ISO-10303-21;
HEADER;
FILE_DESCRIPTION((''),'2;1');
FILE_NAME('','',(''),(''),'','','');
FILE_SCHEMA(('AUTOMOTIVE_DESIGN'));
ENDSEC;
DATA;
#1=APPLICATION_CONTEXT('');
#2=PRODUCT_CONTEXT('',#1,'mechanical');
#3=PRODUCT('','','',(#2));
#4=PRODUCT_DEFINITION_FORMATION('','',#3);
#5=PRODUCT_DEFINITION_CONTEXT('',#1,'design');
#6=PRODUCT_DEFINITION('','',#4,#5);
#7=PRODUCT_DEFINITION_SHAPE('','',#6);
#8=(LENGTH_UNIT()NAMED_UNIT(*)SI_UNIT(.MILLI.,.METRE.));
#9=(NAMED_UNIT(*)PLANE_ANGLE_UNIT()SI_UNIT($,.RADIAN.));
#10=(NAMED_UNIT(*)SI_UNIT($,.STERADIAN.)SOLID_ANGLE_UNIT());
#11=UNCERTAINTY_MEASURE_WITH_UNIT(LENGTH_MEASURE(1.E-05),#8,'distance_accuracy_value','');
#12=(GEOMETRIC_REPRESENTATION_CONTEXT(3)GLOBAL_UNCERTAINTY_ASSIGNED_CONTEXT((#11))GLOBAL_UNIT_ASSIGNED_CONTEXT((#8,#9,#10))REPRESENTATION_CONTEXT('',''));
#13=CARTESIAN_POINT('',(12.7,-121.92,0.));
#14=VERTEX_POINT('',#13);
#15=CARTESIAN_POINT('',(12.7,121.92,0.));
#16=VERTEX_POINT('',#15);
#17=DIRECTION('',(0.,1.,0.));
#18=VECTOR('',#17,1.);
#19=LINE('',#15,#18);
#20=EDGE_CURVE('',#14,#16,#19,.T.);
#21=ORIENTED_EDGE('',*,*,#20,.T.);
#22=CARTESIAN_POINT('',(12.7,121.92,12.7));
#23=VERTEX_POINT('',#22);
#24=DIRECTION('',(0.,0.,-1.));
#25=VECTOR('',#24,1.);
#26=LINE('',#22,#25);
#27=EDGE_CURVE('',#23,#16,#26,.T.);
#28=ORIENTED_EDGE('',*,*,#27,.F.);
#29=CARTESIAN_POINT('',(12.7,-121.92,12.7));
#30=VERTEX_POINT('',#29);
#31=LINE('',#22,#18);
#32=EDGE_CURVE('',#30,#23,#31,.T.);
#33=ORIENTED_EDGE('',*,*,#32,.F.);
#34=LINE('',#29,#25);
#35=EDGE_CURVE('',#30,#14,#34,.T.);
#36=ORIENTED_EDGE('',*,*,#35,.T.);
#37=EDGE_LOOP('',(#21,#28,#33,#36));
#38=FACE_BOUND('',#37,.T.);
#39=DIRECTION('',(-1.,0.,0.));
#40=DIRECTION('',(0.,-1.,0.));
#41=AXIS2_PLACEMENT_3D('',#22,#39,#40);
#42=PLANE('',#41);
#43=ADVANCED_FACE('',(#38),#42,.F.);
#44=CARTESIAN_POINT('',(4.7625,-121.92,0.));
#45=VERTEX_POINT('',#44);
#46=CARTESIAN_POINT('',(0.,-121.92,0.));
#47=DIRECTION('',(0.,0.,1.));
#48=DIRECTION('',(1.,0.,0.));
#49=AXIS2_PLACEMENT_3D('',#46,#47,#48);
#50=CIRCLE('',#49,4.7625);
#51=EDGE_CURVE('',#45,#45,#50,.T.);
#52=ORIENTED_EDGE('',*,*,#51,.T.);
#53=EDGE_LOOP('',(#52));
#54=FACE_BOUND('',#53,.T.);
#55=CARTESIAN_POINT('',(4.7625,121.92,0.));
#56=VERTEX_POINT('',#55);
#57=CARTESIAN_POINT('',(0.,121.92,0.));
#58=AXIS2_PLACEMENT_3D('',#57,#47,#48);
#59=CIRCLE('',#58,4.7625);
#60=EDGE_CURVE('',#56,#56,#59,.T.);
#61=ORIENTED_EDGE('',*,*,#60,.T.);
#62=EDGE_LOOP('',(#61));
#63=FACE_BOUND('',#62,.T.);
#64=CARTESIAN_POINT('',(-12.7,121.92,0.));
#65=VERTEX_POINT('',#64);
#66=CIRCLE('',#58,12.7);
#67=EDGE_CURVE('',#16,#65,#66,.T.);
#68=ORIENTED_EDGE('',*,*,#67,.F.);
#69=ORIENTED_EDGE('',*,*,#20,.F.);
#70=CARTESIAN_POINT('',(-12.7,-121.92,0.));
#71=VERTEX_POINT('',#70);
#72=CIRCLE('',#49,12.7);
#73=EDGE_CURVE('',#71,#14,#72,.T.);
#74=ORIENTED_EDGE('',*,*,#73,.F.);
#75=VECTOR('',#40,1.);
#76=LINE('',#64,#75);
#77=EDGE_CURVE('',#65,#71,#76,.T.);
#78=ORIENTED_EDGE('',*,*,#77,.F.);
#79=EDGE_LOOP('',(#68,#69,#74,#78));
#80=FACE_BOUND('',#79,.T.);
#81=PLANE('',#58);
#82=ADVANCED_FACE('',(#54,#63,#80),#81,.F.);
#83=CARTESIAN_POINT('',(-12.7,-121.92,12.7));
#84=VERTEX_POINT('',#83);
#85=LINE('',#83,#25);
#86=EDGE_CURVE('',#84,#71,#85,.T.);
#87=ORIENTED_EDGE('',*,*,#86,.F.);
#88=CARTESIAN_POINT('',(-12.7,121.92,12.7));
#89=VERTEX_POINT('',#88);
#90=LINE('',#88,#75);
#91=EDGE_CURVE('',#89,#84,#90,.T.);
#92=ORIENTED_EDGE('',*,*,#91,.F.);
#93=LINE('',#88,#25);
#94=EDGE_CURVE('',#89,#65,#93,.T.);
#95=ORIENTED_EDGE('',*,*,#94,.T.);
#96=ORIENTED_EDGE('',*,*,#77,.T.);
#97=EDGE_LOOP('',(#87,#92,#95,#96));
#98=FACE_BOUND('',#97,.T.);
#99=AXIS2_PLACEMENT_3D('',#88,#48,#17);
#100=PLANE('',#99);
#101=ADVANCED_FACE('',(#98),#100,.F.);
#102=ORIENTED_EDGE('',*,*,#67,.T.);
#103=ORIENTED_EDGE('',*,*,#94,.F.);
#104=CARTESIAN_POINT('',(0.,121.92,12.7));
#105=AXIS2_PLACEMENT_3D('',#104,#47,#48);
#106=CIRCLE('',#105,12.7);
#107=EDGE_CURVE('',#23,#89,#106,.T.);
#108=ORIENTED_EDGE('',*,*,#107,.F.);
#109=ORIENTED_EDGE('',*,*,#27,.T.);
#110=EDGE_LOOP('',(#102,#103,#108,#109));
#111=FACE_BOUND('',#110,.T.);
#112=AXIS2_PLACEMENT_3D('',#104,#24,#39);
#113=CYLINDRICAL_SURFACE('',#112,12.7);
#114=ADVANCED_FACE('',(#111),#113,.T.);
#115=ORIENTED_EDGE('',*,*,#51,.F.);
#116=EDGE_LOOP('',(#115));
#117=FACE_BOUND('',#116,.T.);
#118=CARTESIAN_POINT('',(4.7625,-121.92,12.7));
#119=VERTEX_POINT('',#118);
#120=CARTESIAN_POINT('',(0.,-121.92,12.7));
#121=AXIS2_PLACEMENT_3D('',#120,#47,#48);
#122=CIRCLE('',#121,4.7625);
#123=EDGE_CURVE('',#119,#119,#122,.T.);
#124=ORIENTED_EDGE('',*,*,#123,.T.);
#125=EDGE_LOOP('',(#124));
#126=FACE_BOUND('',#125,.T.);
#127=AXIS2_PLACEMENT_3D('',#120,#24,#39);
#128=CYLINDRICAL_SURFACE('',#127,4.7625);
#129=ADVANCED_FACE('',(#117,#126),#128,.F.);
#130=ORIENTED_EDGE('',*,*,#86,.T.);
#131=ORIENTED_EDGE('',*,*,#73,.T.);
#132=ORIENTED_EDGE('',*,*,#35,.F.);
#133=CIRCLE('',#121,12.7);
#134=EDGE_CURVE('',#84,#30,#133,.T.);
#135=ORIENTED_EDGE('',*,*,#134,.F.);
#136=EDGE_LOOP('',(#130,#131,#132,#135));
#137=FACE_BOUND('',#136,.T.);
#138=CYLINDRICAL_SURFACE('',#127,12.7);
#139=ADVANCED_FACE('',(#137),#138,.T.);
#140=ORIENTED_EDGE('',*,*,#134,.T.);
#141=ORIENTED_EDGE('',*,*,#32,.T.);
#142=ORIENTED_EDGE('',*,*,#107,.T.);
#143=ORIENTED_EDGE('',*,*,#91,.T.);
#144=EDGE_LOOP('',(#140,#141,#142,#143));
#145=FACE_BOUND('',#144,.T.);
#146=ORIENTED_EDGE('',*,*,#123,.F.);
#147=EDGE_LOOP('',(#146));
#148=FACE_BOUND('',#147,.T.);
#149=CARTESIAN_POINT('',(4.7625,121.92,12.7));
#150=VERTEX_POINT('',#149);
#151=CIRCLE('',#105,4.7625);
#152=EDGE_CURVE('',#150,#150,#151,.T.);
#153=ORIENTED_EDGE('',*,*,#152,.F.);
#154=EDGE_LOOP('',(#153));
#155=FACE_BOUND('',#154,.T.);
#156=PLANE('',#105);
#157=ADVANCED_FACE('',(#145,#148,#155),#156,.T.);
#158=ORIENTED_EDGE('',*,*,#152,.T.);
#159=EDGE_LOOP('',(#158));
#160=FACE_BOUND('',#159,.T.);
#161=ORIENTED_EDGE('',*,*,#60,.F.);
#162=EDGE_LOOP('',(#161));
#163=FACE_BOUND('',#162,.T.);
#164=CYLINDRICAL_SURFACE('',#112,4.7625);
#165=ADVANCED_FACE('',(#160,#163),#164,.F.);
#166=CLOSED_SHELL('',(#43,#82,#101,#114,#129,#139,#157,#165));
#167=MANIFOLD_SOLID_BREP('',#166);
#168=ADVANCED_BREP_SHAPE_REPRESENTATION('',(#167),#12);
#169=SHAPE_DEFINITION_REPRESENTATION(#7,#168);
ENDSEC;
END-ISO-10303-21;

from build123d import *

# Parameters (mm, degrees)
SKETCH1_R           = 4.7625
BOSS_EXTRUDE1_DEPTH = 12.7


with BuildPart() as part:
    # Sketch1 → Boss-Extrude1 (new body)
    with BuildSketch(Plane.XY):
        with BuildLine():
            Line((12.7, 121.92), (12.7, -121.92))
            ThreePointArc((12.7, -121.92), (0, -134.62), (-12.7, -121.92))
            Line((-12.7, -121.92), (-12.7, 121.92))
            ThreePointArc((-12.7, 121.92), (0, 134.62), (12.7, 121.92))
        make_face()
        with Locations((0, 121.92)):
            Circle(SKETCH1_R, mode=Mode.SUBTRACT)
        with Locations((0, -121.92)):
            Circle(SKETCH1_R, mode=Mode.SUBTRACT)
    extrude(amount=BOSS_EXTRUDE1_DEPTH)


solid = part.part
